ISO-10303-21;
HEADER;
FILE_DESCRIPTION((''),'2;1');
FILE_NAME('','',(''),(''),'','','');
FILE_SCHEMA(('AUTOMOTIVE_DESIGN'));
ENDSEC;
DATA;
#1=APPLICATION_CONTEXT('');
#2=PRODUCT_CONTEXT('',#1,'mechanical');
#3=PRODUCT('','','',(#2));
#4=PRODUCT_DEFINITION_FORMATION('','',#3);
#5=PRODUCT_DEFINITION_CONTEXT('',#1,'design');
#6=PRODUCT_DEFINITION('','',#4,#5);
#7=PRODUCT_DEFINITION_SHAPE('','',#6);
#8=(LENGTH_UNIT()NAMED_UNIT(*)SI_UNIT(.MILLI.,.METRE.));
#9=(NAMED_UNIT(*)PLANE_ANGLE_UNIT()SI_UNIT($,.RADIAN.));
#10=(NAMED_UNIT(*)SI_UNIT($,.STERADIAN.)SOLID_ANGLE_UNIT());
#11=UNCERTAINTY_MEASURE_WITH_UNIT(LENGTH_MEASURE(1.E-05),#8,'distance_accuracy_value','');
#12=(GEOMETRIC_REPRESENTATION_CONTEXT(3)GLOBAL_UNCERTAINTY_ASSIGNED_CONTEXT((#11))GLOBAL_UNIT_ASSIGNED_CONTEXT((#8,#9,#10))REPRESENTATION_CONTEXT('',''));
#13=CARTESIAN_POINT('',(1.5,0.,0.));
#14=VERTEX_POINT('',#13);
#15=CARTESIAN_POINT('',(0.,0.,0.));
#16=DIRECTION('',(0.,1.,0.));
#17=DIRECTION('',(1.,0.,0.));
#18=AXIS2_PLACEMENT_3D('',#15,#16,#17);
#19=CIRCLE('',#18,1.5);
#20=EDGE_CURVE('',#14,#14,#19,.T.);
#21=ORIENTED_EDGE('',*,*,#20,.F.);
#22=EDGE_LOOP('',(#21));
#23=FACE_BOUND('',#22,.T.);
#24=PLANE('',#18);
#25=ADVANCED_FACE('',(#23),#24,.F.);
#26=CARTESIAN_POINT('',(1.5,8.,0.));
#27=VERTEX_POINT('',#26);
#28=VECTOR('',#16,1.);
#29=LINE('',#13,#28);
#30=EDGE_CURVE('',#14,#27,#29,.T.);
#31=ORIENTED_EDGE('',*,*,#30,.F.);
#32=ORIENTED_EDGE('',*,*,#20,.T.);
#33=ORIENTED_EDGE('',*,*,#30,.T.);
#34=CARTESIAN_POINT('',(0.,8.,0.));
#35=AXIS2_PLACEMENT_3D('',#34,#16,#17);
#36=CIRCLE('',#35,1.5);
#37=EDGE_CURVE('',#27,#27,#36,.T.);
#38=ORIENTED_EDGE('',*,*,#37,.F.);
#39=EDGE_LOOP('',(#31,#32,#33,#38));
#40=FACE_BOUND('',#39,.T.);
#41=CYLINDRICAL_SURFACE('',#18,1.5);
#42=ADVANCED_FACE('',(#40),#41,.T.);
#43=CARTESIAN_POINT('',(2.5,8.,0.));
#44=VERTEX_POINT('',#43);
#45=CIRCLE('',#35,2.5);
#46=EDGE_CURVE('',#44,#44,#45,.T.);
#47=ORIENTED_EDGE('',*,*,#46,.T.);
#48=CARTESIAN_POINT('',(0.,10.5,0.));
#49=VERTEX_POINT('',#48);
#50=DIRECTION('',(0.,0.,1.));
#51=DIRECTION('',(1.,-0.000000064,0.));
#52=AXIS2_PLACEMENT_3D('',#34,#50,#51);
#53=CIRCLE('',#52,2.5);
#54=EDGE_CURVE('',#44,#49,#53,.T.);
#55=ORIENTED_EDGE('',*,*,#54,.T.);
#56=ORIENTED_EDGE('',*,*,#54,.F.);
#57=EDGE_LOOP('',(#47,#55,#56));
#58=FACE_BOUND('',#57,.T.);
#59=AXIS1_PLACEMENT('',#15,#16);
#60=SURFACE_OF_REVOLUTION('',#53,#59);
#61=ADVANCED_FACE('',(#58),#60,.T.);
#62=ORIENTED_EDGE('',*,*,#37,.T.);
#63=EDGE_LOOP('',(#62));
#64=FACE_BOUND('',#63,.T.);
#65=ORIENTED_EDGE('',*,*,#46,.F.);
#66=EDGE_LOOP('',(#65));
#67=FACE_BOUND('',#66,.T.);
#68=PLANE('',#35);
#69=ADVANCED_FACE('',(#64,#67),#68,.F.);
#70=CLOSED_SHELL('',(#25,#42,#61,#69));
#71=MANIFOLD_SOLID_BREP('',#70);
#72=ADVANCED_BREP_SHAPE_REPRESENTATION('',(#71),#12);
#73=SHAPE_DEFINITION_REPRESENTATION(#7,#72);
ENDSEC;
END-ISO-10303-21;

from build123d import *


with BuildPart() as part:
    # Sketch → Revolution (revolve)
    with BuildSketch(Plane.XY):
        with BuildLine():
            Line((0, 0), (1.5, 0))
            Line((1.5, 0), (1.5, 8))
            Line((1.5, 8), (2.5, 8))
            ThreePointArc((2.5, 8), (1.767767, 9.767767), (0, 10.5))
            Line((0, 10.5), (0, 0))
        make_face()
    revolve(axis=Axis((0, 0, 0), (0, 1, 0)))


solid = part.part
